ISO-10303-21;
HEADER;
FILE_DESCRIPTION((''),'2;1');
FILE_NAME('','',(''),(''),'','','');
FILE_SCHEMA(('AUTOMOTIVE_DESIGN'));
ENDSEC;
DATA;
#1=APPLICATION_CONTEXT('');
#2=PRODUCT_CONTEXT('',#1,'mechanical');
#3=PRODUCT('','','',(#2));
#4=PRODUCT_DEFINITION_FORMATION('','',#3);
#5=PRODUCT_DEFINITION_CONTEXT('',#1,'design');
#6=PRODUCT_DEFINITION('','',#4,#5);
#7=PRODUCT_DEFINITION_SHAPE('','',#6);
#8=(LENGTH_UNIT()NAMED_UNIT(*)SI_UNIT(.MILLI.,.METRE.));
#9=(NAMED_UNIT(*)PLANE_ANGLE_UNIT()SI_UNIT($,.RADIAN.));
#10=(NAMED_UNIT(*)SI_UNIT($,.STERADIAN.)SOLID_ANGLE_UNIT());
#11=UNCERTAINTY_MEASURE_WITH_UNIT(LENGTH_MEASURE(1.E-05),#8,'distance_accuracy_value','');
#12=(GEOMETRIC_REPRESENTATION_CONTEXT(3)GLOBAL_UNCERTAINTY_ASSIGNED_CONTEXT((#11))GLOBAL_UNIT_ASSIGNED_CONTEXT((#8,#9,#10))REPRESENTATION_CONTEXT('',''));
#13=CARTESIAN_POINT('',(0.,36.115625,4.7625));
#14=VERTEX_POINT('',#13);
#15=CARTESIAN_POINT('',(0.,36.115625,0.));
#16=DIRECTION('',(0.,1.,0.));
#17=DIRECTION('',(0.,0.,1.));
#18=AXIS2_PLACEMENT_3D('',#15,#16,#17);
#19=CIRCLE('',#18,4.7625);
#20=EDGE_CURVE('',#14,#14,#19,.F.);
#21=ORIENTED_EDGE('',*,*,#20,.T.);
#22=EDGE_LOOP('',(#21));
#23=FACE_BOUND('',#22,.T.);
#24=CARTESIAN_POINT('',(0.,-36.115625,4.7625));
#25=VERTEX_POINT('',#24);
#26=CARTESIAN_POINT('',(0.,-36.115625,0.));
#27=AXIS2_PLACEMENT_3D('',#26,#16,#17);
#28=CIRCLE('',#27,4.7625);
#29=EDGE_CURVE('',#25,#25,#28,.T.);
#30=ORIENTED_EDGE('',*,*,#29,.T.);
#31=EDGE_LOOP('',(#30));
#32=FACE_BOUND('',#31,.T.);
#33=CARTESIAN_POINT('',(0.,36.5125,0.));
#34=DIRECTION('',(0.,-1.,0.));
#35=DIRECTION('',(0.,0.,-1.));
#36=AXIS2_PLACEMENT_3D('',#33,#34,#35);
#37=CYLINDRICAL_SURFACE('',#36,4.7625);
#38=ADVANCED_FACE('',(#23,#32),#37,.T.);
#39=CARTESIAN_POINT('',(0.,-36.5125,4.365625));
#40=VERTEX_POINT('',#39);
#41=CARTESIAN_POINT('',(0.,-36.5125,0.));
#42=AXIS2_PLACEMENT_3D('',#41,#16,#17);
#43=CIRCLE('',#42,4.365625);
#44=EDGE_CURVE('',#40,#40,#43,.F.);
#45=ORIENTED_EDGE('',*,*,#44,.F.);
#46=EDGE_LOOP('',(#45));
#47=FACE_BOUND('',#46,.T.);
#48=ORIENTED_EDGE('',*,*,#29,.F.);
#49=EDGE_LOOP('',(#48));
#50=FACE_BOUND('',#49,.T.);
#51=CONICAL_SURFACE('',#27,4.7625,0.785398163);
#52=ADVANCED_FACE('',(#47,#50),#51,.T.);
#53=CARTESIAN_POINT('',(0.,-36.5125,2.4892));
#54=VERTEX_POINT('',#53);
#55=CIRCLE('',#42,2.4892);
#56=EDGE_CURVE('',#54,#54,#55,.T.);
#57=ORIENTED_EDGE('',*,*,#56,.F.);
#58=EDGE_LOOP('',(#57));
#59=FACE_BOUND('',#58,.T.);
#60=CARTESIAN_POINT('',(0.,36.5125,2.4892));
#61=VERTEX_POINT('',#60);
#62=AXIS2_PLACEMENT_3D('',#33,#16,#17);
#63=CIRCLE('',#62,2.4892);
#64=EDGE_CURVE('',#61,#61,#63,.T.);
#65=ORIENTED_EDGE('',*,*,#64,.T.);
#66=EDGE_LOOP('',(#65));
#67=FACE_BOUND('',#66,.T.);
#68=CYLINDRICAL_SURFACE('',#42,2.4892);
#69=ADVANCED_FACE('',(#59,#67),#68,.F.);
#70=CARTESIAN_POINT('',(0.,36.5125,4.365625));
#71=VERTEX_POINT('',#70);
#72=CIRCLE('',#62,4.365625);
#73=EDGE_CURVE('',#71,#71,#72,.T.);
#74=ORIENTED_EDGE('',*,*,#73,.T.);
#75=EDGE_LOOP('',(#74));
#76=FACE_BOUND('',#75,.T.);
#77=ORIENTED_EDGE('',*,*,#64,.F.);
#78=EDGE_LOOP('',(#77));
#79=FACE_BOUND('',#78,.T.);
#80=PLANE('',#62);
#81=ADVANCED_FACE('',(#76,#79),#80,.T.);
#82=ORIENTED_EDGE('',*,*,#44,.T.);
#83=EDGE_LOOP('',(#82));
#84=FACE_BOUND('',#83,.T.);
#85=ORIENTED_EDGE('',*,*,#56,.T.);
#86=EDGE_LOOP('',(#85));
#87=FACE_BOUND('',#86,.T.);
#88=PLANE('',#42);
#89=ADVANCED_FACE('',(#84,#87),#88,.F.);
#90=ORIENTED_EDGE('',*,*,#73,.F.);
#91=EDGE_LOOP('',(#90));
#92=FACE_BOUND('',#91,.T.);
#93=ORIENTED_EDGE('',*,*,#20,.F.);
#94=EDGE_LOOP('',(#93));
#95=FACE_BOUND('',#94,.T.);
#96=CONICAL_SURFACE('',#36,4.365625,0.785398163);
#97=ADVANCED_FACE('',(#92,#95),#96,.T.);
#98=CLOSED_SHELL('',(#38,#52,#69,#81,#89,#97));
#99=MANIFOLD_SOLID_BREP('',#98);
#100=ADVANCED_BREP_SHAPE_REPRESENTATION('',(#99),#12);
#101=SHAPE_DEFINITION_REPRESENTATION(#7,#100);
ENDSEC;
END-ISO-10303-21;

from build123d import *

# Parameters (mm, degrees)
CROQUIS2_R                = 4.7625
SALIENTE_EXTRUIR1_DEPTH   = 36.5125
CHAFL_N1_SIZE             = 0.396875
CLEARANCE_HOLE_DEPTH      = 38.128499414
CLEARANCE_HOLE_DEPTH_BACK = 38.128499414
CROQUIS4_R                = 2.4892


with BuildPart() as part:
    # Croquis2 → Saliente-Extruir1 (new, symmetric)
    with BuildSketch(Plane(origin=(0, 0, 0), x_dir=(1, 0, 0), z_dir=(0, 1, 0))):
        Circle(CROQUIS2_R)
    extrude(amount=SALIENTE_EXTRUIR1_DEPTH, both=True)

    # Chaflán1
    chafl_n1_edges = [part.edges().sort_by_distance(p)[0] for p in [
        (-4.7625, -36.5125, 0),
        (-4.7625, 36.5125, 0),
    ]]
    chamfer(chafl_n1_edges, length=CHAFL_N1_SIZE)

    # Croquis4 → Clearance Hole (cut, two sides: drawn at the far end of the back side and taken through both)
    with BuildSketch(Plane(origin=(0, 0, 0), x_dir=(1, 0, 0), z_dir=(0, 1, 0)).offset(-CLEARANCE_HOLE_DEPTH_BACK)):
        Circle(CROQUIS4_R)
    extrude(amount=CLEARANCE_HOLE_DEPTH + CLEARANCE_HOLE_DEPTH_BACK, mode=Mode.SUBTRACT)


solid = part.part
